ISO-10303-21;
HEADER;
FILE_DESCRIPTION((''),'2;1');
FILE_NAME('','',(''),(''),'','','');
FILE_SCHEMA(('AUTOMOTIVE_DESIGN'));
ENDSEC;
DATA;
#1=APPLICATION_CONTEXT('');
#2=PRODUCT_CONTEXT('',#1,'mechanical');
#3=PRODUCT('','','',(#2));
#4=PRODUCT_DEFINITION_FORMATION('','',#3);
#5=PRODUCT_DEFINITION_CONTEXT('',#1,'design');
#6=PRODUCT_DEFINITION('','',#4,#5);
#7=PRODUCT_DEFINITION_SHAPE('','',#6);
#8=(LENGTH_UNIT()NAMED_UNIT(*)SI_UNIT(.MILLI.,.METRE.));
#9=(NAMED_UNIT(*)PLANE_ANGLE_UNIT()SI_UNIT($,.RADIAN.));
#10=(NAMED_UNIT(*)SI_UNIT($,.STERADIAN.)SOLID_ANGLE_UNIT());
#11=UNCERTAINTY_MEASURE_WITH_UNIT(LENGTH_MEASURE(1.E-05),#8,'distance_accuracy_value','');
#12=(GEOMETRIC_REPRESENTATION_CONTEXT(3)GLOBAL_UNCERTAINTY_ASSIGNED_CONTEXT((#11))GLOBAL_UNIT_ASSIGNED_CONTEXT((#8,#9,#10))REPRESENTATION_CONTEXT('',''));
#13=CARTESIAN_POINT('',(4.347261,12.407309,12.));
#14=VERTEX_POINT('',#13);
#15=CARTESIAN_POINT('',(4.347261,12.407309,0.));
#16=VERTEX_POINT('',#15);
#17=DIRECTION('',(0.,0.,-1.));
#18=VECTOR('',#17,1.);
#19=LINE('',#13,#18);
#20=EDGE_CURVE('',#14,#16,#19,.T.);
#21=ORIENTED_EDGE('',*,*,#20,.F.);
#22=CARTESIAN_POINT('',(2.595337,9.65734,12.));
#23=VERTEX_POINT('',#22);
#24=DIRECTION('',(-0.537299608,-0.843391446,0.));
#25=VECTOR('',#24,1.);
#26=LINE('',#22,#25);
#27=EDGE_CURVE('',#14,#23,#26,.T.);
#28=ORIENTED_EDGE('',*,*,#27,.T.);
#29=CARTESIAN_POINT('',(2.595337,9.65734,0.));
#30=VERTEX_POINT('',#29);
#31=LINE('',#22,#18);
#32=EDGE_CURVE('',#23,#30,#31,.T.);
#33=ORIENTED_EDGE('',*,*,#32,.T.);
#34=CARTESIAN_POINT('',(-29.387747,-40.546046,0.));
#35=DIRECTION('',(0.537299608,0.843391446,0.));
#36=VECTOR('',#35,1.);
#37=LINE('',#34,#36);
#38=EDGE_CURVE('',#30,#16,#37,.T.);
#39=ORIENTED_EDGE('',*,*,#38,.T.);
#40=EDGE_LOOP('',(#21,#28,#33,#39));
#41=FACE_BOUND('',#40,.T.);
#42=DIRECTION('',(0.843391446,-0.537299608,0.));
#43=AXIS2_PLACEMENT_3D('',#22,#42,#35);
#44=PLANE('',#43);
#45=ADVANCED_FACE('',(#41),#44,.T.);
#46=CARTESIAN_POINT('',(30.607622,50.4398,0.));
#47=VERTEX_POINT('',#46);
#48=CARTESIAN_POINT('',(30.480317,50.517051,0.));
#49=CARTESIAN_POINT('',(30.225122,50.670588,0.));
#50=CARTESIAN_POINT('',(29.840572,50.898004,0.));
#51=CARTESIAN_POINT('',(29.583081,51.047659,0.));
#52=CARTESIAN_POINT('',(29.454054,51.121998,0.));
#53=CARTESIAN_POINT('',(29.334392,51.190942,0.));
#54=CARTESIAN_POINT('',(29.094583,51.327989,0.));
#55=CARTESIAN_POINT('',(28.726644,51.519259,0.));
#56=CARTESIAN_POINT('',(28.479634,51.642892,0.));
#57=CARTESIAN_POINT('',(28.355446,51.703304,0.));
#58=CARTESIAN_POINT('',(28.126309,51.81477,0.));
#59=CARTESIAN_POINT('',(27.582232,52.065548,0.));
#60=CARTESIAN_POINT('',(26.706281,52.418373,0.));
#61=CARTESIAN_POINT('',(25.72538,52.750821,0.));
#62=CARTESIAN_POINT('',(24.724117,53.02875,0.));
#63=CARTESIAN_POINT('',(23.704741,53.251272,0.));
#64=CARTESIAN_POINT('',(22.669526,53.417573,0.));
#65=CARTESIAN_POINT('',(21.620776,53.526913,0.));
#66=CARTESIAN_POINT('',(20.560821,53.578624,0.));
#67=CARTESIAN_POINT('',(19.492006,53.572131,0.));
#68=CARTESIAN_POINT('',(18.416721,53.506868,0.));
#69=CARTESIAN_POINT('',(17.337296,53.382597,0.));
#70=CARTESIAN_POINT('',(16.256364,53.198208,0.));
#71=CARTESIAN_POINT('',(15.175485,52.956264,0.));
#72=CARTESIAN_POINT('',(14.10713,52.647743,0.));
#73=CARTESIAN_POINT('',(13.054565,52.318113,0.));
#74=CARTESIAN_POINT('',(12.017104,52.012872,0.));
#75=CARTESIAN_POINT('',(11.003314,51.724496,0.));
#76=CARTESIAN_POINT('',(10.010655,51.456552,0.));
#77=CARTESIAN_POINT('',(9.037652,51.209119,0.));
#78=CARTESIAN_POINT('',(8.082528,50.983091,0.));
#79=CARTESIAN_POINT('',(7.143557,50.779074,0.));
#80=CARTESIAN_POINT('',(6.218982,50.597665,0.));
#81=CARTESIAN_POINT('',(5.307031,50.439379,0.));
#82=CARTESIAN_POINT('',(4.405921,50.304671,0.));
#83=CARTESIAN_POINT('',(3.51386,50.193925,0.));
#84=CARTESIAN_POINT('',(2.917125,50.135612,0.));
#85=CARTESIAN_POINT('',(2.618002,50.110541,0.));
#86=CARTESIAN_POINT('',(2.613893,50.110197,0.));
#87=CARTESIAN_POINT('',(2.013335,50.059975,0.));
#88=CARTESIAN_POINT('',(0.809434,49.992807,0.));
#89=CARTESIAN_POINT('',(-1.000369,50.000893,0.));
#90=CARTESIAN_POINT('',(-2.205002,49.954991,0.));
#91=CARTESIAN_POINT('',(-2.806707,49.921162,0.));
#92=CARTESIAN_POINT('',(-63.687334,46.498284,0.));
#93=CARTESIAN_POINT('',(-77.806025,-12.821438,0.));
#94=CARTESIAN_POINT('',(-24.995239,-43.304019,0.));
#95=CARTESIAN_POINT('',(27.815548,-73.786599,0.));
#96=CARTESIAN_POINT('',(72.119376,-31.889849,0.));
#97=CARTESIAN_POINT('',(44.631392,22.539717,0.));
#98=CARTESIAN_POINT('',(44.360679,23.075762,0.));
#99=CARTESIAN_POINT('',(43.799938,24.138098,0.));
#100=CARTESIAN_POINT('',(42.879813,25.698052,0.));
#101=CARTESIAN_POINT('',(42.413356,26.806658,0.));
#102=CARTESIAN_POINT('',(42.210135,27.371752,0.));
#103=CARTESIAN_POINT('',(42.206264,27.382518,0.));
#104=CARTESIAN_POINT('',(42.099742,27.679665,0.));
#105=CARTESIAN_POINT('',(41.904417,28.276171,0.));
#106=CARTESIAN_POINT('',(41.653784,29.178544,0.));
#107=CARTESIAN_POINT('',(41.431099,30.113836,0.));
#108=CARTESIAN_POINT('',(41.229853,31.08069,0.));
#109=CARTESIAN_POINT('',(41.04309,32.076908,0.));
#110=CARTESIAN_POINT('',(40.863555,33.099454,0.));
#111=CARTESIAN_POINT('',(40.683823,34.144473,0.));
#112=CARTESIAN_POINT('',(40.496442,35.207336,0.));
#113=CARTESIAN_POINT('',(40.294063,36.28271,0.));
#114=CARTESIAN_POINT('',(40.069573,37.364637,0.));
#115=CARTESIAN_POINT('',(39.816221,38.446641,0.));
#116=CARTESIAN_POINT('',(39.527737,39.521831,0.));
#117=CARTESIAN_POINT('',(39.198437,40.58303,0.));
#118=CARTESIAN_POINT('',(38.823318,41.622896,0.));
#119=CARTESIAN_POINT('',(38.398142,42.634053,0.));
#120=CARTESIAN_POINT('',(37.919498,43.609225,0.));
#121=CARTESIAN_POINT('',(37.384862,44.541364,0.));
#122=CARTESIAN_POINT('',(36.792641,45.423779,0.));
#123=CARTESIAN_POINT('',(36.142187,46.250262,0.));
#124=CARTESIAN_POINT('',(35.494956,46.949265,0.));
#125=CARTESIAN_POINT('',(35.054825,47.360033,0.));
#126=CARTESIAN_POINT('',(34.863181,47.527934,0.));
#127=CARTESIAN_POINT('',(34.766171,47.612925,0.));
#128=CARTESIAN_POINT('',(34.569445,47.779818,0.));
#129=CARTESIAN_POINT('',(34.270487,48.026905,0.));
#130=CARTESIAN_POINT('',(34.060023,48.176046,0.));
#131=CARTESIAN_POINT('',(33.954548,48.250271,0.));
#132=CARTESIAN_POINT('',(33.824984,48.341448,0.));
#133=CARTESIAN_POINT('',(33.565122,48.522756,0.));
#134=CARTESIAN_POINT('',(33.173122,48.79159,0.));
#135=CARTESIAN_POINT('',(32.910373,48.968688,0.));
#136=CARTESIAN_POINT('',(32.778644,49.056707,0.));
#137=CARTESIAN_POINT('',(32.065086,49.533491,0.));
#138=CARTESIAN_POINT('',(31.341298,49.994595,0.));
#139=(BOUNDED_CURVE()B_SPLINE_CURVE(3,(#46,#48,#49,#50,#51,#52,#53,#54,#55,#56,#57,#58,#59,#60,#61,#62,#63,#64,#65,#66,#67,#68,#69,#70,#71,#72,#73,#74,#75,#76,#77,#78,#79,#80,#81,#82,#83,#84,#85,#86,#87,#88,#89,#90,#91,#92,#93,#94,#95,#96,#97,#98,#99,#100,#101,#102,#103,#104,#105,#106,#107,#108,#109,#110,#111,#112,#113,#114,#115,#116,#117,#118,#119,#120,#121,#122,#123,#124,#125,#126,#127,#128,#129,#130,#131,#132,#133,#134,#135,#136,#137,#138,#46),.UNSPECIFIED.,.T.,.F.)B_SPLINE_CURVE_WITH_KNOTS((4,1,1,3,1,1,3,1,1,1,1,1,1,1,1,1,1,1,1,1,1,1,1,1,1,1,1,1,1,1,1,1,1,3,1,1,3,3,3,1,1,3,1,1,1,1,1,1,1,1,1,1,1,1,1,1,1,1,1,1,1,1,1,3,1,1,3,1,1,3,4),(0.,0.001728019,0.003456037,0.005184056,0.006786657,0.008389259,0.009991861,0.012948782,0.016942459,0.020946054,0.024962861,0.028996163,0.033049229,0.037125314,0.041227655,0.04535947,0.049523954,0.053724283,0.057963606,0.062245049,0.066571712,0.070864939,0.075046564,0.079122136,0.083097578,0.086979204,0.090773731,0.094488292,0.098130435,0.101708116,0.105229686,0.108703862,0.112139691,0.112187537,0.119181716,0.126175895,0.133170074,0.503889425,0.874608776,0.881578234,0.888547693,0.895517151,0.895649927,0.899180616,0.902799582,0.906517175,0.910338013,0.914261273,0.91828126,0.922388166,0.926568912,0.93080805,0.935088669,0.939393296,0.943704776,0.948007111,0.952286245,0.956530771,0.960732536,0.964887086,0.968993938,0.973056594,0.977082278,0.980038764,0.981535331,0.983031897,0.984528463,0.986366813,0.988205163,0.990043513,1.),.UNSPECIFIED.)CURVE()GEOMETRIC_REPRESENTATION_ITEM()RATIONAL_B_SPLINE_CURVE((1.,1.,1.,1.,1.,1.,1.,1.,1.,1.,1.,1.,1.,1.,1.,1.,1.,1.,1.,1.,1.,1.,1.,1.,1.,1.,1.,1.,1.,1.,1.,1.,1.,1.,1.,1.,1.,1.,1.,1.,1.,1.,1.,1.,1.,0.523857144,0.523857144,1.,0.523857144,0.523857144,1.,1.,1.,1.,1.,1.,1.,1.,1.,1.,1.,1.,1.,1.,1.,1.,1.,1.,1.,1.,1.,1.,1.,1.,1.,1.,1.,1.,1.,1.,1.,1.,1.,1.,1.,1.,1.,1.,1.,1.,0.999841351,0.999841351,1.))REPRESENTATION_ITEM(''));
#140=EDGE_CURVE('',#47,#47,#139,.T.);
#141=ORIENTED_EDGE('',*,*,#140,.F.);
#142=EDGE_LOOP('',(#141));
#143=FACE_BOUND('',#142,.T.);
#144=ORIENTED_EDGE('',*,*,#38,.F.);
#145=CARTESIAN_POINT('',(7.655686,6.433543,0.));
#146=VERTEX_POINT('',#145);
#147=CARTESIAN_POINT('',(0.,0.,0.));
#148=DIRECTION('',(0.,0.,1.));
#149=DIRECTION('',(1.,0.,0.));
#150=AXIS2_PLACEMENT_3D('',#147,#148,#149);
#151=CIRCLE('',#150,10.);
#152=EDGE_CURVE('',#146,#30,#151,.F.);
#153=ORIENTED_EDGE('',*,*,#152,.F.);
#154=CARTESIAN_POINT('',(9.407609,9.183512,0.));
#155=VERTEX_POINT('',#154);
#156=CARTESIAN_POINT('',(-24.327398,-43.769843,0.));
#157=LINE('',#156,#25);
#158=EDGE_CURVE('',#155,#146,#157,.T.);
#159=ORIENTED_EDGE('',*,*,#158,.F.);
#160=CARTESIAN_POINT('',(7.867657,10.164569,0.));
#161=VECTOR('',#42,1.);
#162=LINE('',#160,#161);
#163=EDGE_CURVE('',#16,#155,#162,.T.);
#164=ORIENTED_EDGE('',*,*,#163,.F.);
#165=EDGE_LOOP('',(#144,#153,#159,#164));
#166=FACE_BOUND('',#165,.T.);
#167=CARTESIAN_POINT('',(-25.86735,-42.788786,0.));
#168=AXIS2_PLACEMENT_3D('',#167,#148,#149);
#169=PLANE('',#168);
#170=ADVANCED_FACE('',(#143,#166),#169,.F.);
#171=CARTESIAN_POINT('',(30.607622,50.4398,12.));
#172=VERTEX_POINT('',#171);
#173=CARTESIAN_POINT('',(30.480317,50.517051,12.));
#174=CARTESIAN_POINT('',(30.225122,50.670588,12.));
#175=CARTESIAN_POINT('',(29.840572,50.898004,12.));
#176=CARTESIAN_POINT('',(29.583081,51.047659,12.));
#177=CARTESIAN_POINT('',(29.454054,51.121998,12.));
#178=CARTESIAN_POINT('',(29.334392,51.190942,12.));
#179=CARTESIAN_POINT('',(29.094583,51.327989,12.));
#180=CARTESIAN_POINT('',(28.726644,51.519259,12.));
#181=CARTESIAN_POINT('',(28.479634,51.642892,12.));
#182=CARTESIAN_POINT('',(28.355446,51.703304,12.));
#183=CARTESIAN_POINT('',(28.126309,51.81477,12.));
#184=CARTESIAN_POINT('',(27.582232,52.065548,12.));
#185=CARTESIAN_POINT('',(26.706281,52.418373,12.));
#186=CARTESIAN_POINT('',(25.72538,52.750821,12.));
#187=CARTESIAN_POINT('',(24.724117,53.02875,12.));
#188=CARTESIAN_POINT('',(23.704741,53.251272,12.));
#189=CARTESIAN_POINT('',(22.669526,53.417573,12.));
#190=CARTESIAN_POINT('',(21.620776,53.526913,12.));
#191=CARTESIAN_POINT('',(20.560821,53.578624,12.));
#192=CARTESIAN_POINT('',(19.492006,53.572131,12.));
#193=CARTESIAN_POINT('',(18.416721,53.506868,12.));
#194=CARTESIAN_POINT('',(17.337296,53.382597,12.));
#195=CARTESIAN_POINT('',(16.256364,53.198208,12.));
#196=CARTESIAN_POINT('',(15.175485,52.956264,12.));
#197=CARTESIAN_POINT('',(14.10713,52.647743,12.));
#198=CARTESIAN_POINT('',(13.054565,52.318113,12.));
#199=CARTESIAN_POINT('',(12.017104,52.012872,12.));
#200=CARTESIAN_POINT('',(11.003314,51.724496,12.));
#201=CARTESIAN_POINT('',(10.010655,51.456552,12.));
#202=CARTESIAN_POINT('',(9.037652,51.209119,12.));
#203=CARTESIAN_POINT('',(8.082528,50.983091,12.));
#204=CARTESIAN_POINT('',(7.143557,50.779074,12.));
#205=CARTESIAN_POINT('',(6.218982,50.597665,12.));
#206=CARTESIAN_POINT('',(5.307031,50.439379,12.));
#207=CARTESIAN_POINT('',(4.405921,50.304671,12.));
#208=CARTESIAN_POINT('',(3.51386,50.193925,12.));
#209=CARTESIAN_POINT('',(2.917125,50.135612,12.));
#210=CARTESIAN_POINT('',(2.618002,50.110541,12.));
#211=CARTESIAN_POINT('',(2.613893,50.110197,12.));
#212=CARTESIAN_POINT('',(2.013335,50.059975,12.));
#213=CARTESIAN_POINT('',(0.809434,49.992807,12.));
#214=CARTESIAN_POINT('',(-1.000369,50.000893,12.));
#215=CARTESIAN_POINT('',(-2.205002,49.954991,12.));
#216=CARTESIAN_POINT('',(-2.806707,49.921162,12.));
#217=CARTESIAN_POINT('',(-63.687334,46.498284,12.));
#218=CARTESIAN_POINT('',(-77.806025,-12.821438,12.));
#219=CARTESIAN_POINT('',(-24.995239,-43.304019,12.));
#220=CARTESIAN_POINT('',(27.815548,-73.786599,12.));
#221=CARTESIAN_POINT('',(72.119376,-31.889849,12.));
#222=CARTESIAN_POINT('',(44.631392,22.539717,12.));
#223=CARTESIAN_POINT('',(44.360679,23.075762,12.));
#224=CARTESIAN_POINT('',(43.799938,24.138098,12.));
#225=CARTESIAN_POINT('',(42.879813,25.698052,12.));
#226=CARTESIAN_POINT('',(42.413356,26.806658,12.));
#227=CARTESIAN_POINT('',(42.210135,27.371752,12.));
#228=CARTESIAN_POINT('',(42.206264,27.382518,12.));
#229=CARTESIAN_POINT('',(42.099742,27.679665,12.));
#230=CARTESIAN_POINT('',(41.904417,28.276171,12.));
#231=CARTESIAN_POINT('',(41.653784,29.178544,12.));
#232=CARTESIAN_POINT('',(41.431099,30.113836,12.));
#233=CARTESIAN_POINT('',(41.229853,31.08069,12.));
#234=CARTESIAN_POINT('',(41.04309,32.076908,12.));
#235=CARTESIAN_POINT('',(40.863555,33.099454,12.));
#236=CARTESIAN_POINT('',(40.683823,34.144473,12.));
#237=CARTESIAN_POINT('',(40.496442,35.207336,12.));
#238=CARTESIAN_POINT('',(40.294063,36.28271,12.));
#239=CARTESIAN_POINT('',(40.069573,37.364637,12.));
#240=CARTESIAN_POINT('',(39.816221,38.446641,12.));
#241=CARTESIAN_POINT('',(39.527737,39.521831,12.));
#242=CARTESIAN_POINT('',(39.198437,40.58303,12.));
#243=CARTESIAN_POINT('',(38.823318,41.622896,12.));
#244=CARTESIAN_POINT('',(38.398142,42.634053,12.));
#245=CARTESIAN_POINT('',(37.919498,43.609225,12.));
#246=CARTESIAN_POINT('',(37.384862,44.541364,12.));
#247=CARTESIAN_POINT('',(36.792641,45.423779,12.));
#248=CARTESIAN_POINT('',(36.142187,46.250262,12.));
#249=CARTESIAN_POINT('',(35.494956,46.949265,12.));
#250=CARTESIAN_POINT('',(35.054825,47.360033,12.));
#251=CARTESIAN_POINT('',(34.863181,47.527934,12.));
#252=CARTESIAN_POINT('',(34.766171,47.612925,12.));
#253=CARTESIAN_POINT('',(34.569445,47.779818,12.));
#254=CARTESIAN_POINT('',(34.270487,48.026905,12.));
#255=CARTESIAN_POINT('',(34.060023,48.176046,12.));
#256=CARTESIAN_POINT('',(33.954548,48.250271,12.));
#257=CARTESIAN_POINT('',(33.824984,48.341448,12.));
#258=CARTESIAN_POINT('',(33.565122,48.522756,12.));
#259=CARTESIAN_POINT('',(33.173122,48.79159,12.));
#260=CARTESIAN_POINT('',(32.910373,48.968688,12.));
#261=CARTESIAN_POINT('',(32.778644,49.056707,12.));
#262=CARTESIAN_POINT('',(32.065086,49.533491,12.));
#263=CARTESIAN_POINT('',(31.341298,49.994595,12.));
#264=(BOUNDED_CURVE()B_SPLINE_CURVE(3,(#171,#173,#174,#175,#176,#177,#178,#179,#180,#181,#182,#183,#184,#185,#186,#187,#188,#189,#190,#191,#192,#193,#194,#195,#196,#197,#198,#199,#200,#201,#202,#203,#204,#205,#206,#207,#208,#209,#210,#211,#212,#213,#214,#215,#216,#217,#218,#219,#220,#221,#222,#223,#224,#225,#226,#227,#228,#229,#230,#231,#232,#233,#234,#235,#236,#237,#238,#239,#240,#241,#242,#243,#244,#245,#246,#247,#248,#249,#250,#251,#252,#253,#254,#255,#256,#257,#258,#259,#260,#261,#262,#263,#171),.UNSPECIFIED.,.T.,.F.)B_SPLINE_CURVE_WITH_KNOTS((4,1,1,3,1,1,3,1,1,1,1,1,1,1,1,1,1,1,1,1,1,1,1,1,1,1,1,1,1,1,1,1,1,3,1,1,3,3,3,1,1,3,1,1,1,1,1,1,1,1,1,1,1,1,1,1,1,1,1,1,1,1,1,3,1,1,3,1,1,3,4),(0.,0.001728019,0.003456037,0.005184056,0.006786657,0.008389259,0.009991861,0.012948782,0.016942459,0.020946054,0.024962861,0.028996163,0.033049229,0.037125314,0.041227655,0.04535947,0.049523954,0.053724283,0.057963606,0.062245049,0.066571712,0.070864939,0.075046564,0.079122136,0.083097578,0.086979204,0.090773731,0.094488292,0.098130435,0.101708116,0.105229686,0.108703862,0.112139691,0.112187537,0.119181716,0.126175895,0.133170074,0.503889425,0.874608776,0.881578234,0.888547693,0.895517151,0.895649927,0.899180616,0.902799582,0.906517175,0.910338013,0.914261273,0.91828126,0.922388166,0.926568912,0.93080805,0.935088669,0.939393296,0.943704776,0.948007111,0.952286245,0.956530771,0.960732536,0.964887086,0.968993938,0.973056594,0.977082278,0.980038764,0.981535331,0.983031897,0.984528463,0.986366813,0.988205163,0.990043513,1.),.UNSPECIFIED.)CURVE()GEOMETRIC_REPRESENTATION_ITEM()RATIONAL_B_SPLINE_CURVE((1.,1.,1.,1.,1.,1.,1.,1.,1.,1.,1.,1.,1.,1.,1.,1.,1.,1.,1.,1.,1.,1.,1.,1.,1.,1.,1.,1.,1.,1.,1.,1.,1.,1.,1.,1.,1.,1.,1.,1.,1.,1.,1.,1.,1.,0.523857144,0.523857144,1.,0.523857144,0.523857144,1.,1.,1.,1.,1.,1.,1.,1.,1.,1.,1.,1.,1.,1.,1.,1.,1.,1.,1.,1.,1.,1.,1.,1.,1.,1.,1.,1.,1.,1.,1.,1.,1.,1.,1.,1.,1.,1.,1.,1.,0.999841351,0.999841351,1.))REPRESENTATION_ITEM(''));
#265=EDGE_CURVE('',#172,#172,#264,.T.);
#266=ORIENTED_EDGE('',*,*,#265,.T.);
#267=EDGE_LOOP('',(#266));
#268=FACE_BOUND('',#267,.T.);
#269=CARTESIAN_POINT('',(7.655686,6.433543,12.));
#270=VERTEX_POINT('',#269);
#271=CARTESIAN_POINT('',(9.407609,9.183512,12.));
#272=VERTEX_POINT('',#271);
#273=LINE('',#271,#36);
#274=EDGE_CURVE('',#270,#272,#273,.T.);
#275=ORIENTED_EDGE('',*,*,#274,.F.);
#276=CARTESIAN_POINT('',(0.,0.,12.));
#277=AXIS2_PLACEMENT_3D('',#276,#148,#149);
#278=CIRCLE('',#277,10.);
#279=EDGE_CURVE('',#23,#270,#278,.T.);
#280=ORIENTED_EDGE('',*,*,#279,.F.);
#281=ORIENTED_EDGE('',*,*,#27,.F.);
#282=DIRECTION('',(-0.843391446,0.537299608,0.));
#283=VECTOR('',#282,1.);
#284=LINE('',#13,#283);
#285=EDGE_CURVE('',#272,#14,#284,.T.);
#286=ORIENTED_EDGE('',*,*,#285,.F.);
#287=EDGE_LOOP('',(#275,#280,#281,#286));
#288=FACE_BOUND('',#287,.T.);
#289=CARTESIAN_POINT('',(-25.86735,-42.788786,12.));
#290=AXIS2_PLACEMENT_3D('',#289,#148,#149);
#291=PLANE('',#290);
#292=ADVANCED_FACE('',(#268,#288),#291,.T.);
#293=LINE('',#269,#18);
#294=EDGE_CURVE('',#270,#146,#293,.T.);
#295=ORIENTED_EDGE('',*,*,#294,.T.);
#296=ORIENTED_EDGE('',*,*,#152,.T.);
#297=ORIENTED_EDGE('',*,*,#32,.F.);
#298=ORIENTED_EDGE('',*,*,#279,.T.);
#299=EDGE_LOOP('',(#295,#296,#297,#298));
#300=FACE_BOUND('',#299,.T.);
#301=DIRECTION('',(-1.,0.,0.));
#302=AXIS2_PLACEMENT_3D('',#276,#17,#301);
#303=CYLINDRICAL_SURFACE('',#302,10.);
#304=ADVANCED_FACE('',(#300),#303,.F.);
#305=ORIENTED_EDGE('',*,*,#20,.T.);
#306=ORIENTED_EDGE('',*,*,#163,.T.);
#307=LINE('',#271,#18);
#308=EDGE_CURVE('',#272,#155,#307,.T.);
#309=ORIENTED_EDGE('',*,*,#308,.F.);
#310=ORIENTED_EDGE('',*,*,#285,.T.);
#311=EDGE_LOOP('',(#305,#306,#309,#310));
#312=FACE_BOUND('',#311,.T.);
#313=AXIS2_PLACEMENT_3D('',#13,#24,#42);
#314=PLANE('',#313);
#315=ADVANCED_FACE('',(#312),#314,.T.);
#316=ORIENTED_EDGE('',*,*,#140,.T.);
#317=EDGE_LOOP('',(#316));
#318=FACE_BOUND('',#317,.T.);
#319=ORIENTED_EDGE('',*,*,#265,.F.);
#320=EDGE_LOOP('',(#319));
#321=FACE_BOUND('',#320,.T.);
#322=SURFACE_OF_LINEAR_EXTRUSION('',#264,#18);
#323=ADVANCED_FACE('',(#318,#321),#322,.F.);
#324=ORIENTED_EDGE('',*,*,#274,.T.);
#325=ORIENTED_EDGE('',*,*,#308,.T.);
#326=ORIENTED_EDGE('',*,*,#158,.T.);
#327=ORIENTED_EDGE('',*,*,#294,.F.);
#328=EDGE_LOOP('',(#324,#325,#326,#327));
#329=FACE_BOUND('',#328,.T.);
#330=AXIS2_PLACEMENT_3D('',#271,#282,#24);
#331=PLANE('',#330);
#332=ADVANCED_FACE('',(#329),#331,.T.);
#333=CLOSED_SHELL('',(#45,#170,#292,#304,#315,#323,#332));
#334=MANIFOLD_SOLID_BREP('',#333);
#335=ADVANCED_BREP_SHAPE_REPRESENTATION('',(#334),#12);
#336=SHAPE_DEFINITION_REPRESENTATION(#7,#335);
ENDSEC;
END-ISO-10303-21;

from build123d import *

# Parameters (mm, degrees)
EXTRUDE_1_DEPTH          = 12
CUT_EXTRUDE_1_DEPTH      = 12
CUT_EXTRUDE_1_DEPTH_BACK = 12


with BuildPart() as part:
    # 草图1 → 凸台-拉伸1 (new body)
    with BuildSketch(Plane.XY):
        with BuildLine():
            add(Edge.make_bspline(
                [(30.607622231, 50.43980037), (31.341297592, 49.994595232), (32.065086259, 49.533490997), (32.778643748, 49.056707126), (32.91037295, 48.968688487), (33.173122299, 48.791590035), (33.565122105, 48.522756304), (33.824984046, 48.34144758), (33.954547772, 48.250271353), (34.060023194, 48.17604648), (34.270487271, 48.026905024), (34.569445018, 47.779817794), (34.76617148, 47.612925141), (34.863181305, 47.527934022), (35.05482545, 47.360032985), (35.494955913, 46.94926467), (36.142187001, 46.250261715), (36.792641367, 45.42377913), (37.384862281, 44.541363693), (37.91949768, 43.609225479), (38.398141631, 42.634053292), (38.823318429, 41.622896009), (39.198436964, 40.583030345), (39.527736958, 39.521831251), (39.816220875, 38.44664062), (40.069572636, 37.364637195), (40.294062943, 36.282709734), (40.49644228, 35.20733637), (40.683823287, 34.144473074), (40.863554818, 33.099454173), (41.043090244, 32.076907835), (41.229852746, 31.080689518), (41.431098906, 30.113836174), (41.653783742, 29.178544438), (41.90441699, 28.276171288), (42.099742445, 27.679664642), (42.206263674, 27.382517866), (42.210135251, 27.371752191), (42.413355788, 26.806657784), (42.879813387, 25.698052247), (43.7999379, 24.138098496), (44.360678953, 23.075762027), (44.63139222, 22.53971669), (72.119376076, -31.889848937), (27.815547661, -73.786598913), (-24.995238864, -43.304018683), (-77.806025389, -12.821438453), (-63.687333874, 46.498283569), (-2.806706616, 49.921161825), (-2.205001834, 49.954991342), (-1.000369018, 50.000893151), (0.80943442, 49.992807499), (2.013334682, 50.059975256), (2.613893467, 50.110197038), (2.618001805, 50.110540598), (2.917124605, 50.135611857), (3.513859605, 50.193925478), (4.405920818, 50.304671089), (5.307030537, 50.439378989), (6.218981664, 50.597664571), (7.143557441, 50.779074136), (8.082527544, 50.98309139), (9.037651927, 51.209118724), (10.010654815, 51.456552382), (11.003313747, 51.724495602), (12.017103653, 52.012871655), (13.054565012, 52.318113444), (14.107130459, 52.647743042), (15.175485372, 52.956264141), (16.256364217, 53.19820843), (17.337295663, 53.382596806), (18.416721346, 53.506867962), (19.492006487, 53.57213127), (20.56082078, 53.578624498), (21.62077633, 53.526913209), (22.669526144, 53.417572855), (23.704740808, 53.251272173), (24.724117334, 53.028750115), (25.725379697, 52.75082144), (26.706280701, 52.418372693), (27.582231656, 52.065547722), (28.126309495, 51.814769854), (28.355445659, 51.703304493), (28.479633645, 51.642892124), (28.72664365, 51.519259405), (29.094582825, 51.32798913), (29.334391622, 51.190941977), (29.454053954, 51.121998256), (29.58308084, 51.047659126), (29.840571738, 50.898003913), (30.225122055, 50.670588321), (30.480317146, 50.517050992), (30.607622231, 50.43980037)],
                knots=[0, 0, 0, 0, 0.009956487, 0.009956487, 0.009956487, 0.011794837, 0.013633187, 0.015471537, 0.015471537, 0.015471537, 0.016968103, 0.018464669, 0.019961236, 0.019961236, 0.019961236, 0.022917722, 0.026943406, 0.031006062, 0.035112914, 0.039267464, 0.043469229, 0.047713755, 0.051992889, 0.056295224, 0.060606704, 0.064911331, 0.06919195, 0.073431088, 0.077611834, 0.08171874, 0.085738727, 0.089661987, 0.093482825, 0.097200418, 0.100819384, 0.104350073, 0.104482849, 0.104482849, 0.104482849, 0.111452307, 0.118421766, 0.125391224, 0.125391224, 0.125391224, 0.496110575, 0.496110575, 0.496110575, 0.866829926, 0.866829926, 0.866829926, 0.873824105, 0.880818284, 0.887812463, 0.887812463, 0.887812463, 0.887860309, 0.891296138, 0.894770314, 0.898291884, 0.901869565, 0.905511708, 0.909226269, 0.913020796, 0.916902422, 0.920877864, 0.924953436, 0.929135061, 0.933428288, 0.937754951, 0.942036394, 0.946275717, 0.950476046, 0.95464053, 0.958772345, 0.962874686, 0.966950771, 0.971003837, 0.975037139, 0.979053946, 0.983057541, 0.987051218, 0.990008139, 0.990008139, 0.990008139, 0.991610741, 0.993213343, 0.994815944, 0.994815944, 0.994815944, 0.996543963, 0.998271981, 1, 1, 1, 1], degree=3, weights=[1, 0.999841351, 0.999841351, 1, 1, 1, 1, 1, 1, 1, 1, 1, 1, 1, 1, 1, 1, 1, 1, 1, 1, 1, 1, 1, 1, 1, 1, 1, 1, 1, 1, 1, 1, 1, 1, 1, 1, 1, 1, 1, 1, 1, 1, 0.523857144, 0.523857144, 1, 0.523857144, 0.523857144, 1, 1, 1, 1, 1, 1, 1, 1, 1, 1, 1, 1, 1, 1, 1, 1, 1, 1, 1, 1, 1, 1, 1, 1, 1, 1, 1, 1, 1, 1, 1, 1, 1, 1, 1, 1, 1, 1, 1, 1, 1, 1, 1, 1, 1]))
        make_face()
    extrude(amount=EXTRUDE_1_DEPTH)

    # 草图2 → 切除-拉伸1 (cut, two sides: drawn at the far end of the back side and taken through both)
    with BuildSketch(Plane.XY.offset(-CUT_EXTRUDE_1_DEPTH_BACK)):
        with BuildLine():
            Line((2.595337256, 9.657340448), (4.347260624, 12.407309291))
            Line((4.347260624, 12.407309291), (9.407609299, 9.183511641))
            Line((9.407609299, 9.183511641), (7.655685931, 6.433542798))
            ThreePointArc((7.655685931, 6.433542798), (-5.372996083, -8.433914458), (2.595337256, 9.657340448))
        make_face()
    extrude(amount=CUT_EXTRUDE_1_DEPTH + CUT_EXTRUDE_1_DEPTH_BACK, mode=Mode.SUBTRACT)


solid = part.part
